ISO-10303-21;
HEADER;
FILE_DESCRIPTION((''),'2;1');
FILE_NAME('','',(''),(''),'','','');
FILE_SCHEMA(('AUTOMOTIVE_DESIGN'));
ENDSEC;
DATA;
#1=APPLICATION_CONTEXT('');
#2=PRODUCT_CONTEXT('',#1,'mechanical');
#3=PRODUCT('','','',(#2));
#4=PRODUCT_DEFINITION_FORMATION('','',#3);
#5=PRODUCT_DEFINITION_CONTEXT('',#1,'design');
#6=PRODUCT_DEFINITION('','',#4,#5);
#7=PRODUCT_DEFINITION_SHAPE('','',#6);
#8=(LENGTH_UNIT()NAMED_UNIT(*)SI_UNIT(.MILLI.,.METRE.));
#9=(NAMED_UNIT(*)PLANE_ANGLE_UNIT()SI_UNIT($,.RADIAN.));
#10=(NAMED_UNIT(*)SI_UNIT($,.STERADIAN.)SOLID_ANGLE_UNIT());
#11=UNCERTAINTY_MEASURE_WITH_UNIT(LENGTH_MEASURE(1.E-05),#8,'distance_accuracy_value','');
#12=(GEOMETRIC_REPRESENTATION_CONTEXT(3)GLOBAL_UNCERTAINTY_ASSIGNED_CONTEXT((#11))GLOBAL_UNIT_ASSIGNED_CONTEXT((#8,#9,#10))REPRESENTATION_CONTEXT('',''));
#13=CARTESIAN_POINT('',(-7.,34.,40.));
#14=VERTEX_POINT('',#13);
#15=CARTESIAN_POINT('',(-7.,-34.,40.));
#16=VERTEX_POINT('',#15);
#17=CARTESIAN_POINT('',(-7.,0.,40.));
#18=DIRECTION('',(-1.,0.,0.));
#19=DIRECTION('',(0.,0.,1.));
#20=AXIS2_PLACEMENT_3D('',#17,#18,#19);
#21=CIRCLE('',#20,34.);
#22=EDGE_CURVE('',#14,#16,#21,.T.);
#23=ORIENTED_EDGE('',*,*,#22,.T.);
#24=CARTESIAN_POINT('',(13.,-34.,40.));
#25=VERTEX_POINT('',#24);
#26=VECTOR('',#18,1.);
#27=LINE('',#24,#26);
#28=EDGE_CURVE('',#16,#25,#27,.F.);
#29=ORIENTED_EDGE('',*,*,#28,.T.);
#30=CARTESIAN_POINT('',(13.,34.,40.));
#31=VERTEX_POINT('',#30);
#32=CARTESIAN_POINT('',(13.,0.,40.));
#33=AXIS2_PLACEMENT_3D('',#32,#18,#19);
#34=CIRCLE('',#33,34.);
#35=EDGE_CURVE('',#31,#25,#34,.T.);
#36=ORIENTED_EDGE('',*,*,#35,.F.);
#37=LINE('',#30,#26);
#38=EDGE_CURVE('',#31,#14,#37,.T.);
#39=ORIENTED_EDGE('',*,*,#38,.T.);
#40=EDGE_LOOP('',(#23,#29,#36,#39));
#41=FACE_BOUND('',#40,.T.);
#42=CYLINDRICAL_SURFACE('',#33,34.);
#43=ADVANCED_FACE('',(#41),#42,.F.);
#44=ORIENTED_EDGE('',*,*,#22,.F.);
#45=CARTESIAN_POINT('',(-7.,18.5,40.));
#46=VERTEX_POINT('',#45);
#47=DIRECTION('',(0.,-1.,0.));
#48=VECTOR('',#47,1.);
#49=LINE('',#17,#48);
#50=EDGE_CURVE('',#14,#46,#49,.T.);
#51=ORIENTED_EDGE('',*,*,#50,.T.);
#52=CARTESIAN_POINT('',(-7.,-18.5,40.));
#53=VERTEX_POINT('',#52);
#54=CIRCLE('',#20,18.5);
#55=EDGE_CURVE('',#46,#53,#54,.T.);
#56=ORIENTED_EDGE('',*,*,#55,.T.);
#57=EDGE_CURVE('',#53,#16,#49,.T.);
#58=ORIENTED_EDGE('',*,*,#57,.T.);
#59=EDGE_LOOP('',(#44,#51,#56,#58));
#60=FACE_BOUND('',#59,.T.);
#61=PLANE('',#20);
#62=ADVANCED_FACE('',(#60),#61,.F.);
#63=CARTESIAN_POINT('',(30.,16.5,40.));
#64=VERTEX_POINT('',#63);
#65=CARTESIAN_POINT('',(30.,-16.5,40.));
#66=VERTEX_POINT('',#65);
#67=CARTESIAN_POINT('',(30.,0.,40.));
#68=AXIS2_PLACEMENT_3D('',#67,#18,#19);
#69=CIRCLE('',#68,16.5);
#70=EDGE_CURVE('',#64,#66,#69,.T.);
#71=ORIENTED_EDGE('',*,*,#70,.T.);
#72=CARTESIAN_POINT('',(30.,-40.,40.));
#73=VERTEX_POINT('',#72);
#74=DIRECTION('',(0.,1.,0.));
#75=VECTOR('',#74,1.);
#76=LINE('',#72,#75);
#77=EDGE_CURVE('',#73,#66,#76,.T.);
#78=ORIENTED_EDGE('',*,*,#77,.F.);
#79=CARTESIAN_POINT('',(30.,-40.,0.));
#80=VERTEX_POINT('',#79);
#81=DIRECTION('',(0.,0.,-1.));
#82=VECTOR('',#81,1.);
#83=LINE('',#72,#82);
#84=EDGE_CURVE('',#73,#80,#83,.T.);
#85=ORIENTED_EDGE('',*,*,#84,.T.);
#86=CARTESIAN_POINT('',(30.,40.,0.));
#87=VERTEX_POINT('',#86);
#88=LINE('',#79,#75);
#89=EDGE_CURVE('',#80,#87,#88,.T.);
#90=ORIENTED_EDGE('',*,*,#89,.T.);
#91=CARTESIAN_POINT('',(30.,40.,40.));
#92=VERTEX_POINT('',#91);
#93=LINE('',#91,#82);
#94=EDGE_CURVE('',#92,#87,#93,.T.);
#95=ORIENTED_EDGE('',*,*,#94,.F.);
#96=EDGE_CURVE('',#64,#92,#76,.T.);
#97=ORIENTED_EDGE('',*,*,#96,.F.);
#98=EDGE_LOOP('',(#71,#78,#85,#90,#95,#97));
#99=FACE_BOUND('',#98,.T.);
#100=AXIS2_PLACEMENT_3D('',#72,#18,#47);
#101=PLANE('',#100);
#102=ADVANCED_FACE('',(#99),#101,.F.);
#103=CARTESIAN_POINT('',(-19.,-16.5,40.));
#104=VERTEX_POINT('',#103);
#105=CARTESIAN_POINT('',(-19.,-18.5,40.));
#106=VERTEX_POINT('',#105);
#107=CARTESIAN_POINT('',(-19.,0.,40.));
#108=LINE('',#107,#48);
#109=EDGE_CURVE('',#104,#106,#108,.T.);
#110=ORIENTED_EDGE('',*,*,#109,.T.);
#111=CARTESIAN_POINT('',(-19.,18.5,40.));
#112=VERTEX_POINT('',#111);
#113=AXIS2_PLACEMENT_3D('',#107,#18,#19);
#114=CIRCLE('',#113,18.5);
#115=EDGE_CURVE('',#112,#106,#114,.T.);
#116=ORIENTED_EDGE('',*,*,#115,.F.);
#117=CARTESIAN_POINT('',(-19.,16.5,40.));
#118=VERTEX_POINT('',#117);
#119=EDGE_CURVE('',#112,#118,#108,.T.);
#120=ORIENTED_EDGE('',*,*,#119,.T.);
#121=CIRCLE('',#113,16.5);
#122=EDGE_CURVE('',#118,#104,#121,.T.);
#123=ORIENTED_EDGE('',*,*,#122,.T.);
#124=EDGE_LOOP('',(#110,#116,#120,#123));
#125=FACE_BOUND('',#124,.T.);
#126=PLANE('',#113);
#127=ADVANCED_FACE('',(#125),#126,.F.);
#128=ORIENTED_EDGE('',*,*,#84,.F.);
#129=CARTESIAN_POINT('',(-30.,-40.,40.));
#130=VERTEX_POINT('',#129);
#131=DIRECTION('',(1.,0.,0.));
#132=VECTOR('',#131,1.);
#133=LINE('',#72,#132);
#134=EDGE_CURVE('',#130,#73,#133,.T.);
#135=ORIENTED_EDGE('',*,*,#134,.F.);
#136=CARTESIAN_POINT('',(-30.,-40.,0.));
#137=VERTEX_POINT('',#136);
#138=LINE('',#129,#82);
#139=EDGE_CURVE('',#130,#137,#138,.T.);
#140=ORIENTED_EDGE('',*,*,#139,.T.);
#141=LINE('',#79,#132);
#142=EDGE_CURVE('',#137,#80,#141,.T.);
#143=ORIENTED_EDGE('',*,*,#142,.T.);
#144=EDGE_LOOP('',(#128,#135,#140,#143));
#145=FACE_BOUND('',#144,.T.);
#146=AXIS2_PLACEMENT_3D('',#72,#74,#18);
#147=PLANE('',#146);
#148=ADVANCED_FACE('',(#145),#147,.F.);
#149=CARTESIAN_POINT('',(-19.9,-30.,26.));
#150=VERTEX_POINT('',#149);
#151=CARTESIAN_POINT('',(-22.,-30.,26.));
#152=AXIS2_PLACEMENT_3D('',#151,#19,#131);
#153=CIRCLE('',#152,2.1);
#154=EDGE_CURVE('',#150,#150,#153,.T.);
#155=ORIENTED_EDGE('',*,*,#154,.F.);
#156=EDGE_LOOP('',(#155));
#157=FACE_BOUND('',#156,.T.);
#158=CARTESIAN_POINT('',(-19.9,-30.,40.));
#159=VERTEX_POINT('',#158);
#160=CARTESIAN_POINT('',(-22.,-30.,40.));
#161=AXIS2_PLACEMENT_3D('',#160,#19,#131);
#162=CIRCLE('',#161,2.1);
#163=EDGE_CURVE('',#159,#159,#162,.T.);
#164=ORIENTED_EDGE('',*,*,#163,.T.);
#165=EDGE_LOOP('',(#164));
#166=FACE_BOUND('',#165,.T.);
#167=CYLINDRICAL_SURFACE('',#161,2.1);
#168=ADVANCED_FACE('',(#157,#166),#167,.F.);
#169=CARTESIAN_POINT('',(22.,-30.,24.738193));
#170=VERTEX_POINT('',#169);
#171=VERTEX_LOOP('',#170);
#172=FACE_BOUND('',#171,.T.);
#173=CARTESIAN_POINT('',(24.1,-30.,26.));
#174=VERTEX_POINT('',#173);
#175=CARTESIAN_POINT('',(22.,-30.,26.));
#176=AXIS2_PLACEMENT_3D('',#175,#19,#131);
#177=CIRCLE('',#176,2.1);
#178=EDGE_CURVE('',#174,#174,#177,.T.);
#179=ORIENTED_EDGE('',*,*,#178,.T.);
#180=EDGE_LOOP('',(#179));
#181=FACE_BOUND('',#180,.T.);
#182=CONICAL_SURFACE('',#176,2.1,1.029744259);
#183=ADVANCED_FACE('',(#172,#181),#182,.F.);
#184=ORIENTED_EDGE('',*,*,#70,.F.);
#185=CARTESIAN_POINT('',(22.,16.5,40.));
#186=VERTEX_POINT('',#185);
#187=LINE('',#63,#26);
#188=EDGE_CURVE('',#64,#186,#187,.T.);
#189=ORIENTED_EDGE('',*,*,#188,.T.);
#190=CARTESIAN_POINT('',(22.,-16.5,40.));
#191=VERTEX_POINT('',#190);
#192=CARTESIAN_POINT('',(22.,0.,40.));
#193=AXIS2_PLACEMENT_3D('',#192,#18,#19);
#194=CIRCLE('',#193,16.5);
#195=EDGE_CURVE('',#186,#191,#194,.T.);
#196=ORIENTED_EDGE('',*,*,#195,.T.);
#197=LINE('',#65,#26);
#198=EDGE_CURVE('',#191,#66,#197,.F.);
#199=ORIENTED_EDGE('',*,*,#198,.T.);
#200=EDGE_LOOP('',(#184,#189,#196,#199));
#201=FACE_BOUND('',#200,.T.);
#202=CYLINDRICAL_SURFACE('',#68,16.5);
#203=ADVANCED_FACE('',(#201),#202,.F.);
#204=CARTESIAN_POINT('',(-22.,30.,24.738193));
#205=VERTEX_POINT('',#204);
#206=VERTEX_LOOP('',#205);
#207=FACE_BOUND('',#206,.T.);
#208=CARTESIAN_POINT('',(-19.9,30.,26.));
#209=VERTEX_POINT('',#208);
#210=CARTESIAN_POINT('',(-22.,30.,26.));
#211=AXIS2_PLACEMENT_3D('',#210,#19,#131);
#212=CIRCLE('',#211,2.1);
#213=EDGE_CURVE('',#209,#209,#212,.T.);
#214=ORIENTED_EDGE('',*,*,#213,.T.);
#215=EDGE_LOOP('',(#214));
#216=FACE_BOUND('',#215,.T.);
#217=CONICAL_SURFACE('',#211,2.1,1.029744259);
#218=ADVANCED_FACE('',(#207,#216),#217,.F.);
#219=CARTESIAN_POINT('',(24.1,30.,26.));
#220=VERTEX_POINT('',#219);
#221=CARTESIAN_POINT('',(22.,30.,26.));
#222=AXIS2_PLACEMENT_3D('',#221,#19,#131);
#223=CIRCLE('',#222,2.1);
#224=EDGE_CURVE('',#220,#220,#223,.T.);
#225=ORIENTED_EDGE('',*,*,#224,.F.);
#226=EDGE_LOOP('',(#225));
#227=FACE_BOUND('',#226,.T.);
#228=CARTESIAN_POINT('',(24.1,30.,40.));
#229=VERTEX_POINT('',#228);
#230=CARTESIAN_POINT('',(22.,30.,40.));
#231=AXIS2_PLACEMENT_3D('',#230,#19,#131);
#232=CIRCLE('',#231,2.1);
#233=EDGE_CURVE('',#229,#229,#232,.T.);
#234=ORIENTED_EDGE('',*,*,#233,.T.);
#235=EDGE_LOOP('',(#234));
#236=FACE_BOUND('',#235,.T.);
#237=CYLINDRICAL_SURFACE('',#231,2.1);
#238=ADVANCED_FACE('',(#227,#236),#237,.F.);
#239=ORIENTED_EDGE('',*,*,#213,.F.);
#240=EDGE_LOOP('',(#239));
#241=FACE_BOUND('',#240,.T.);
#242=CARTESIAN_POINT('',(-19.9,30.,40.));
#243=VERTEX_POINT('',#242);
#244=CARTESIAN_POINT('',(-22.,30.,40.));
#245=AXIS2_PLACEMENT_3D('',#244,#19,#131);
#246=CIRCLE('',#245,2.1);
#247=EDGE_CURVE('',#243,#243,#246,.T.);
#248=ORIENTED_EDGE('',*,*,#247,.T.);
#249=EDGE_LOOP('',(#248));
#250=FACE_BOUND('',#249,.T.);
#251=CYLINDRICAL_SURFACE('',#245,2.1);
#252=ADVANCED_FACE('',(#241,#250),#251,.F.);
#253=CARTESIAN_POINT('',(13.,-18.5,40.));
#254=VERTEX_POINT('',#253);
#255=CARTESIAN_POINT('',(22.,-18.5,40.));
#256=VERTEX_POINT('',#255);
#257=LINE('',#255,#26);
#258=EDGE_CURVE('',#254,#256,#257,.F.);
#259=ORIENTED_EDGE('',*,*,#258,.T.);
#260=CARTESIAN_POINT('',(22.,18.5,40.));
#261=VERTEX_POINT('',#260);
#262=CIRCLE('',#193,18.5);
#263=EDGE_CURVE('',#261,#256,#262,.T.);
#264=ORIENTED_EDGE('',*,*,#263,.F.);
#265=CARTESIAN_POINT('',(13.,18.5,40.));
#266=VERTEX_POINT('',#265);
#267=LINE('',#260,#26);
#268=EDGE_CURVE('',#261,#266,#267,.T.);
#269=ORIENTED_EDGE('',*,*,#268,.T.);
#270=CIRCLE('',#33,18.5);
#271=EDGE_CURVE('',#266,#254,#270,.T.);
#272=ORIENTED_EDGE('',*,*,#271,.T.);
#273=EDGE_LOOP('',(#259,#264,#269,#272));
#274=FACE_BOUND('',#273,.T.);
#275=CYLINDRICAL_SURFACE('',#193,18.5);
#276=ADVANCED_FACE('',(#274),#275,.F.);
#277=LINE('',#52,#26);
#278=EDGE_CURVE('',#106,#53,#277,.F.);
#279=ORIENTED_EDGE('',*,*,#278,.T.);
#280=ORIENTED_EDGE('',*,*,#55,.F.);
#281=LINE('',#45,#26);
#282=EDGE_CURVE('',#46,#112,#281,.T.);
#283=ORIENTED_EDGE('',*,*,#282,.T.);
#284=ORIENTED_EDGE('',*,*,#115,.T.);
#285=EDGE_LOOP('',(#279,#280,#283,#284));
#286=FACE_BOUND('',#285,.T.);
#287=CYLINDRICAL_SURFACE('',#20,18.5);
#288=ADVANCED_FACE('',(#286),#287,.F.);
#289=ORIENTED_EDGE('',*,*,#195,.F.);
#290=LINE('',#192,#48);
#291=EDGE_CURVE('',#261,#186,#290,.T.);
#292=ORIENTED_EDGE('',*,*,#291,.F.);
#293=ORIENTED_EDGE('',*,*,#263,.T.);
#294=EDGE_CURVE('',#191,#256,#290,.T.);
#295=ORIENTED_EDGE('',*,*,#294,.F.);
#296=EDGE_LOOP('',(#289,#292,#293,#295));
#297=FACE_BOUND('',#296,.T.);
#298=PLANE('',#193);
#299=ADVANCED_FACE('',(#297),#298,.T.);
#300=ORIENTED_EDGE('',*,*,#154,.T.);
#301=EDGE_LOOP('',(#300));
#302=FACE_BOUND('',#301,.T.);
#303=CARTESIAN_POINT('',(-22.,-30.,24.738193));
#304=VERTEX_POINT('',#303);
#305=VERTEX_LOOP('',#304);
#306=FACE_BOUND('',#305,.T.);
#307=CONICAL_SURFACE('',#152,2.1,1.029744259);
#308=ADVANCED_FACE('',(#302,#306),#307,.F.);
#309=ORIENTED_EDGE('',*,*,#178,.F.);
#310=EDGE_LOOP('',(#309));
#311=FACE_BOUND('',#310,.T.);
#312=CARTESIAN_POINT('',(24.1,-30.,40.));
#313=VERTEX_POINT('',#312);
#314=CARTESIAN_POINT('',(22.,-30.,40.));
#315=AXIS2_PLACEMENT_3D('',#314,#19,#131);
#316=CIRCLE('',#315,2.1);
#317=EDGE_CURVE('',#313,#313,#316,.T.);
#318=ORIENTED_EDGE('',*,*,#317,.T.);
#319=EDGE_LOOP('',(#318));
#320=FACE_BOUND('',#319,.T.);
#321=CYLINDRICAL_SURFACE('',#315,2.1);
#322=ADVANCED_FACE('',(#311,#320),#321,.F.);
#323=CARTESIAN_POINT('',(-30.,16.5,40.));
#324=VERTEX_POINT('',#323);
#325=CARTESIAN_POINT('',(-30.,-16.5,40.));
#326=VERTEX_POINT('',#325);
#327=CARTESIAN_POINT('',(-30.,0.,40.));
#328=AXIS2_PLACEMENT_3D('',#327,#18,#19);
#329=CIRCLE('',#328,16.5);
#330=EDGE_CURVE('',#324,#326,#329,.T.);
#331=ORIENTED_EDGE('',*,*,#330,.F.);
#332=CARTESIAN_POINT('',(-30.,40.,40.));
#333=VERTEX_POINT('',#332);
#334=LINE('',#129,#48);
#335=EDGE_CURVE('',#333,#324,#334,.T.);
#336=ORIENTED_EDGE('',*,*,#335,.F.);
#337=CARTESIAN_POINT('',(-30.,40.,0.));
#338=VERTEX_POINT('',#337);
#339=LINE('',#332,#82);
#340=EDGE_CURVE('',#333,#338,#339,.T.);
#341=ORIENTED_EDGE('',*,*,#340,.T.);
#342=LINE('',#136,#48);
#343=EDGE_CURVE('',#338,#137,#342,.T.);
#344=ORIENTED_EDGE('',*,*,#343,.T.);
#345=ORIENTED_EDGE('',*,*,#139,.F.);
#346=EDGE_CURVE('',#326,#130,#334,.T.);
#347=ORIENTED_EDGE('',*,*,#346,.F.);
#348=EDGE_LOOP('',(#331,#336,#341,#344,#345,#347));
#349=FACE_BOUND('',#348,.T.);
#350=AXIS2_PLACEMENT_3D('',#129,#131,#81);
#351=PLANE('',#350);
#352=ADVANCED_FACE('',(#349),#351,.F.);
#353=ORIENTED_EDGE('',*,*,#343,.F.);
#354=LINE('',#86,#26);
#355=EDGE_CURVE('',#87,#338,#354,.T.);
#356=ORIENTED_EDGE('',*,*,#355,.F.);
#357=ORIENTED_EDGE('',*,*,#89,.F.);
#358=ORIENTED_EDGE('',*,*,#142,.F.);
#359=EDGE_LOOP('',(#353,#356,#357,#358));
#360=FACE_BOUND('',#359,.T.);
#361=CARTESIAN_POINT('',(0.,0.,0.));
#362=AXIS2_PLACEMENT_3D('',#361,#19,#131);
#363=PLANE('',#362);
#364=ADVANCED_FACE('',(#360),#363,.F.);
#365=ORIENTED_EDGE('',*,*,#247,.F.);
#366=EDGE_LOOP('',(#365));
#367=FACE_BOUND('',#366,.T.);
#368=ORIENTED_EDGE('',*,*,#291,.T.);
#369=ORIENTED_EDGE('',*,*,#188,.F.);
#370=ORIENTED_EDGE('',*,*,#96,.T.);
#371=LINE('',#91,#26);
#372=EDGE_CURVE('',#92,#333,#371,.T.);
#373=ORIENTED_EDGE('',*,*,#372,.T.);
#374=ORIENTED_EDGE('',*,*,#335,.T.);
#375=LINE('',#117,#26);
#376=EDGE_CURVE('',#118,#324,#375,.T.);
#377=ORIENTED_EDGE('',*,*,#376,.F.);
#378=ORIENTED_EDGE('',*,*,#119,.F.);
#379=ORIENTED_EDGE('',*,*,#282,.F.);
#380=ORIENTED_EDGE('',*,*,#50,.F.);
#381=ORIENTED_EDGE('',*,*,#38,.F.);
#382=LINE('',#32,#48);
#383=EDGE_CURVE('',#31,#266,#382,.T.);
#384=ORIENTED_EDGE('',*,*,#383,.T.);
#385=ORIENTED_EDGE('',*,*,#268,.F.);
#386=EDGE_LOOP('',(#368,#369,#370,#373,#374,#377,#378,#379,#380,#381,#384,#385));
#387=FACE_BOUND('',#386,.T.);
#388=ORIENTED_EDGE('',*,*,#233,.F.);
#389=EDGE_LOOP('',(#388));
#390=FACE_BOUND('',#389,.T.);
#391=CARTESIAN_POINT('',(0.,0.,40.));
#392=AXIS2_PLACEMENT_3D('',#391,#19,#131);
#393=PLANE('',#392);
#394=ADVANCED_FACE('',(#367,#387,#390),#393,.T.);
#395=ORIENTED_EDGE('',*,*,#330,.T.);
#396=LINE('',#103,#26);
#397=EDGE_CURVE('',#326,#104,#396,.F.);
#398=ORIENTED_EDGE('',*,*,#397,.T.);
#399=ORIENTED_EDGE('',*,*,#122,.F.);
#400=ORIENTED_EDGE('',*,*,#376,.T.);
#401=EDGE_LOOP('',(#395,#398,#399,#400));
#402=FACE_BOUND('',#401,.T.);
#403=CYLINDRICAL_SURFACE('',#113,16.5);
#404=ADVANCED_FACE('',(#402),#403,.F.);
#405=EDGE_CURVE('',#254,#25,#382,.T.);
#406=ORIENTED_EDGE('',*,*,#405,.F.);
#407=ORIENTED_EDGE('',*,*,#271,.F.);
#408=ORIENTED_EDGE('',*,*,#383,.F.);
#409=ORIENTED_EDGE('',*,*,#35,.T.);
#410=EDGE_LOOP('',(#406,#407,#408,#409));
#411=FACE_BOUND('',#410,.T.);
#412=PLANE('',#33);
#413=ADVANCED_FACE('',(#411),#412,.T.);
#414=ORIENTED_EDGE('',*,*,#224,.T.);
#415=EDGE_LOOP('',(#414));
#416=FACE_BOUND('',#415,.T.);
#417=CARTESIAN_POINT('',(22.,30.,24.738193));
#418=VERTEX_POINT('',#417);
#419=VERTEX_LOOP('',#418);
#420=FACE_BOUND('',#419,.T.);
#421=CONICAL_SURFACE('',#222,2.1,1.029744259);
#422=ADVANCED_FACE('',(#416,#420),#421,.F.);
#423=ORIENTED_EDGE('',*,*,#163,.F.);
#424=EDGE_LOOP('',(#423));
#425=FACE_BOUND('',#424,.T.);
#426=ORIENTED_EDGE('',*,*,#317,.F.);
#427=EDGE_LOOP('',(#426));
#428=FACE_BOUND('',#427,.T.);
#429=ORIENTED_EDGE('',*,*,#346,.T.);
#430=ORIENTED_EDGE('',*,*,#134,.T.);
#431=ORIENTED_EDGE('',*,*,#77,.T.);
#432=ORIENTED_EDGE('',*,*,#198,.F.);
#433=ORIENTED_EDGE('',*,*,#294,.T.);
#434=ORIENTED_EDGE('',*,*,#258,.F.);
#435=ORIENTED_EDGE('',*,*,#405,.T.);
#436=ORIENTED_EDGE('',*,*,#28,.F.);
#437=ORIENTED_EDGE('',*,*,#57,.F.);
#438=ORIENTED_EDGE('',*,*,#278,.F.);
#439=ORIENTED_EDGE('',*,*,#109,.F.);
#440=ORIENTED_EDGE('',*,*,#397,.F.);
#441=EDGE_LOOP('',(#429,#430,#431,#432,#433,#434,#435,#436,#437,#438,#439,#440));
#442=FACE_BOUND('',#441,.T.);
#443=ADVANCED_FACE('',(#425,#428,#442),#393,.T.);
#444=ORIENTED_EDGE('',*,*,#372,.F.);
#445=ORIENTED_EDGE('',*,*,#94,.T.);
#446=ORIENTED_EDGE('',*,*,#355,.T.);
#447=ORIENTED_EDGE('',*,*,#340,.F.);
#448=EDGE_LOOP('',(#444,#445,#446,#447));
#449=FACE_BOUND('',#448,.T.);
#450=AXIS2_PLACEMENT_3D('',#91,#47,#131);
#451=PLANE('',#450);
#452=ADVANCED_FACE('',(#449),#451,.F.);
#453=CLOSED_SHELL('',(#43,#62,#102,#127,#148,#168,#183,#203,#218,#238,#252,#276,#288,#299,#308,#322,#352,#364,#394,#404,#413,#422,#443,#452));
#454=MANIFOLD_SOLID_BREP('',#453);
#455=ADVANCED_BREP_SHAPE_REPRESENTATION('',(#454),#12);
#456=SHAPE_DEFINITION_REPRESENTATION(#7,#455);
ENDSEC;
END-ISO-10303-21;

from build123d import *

# Parameters (mm, degrees)
SCHIZZO1_W                   = 60
SCHIZZO1_H                   = 80
ESTRUSIONE_ESTRUSIONE1_DEPTH = 40
SCHIZZO3_R                   = 16.5
TAGLIO_ESTRUSIONE1_DEPTH     = 11
SCHIZZO4_R                   = 18.5
TAGLIO_ESTRUSIONE2_DEPTH     = 12
SCHIZZO5_R                   = 34
TAGLIO_ESTRUSIONE3_DEPTH     = 20
SCHIZZO6_R                   = 18.5
TAGLIO_ESTRUSIONE4_DEPTH     = 9
SCHIZZO7_R                   = 16.5
TAGLIO_ESTRUSIONE5_DEPTH     = 8


with BuildPart() as part:
    # Schizzo1 → Estrusione-Estrusione1 (new body)
    with BuildSketch(Plane.XY):
        Rectangle(SCHIZZO1_W, SCHIZZO1_H)
    extrude(amount=ESTRUSIONE_ESTRUSIONE1_DEPTH)

    # Schizzo3 → Taglio-Estrusione1 (cut)
    with BuildSketch(Plane.ZY.offset(30)):
        with Locations((40, 0)):
            Circle(SCHIZZO3_R)
    extrude(amount=-TAGLIO_ESTRUSIONE1_DEPTH, mode=Mode.SUBTRACT)

    # Schizzo4 → Taglio-Estrusione2 (cut)
    with BuildSketch(Plane.ZY.offset(19)):
        with Locations((40, 0)):
            Circle(SCHIZZO4_R)
    extrude(amount=-TAGLIO_ESTRUSIONE2_DEPTH, mode=Mode.SUBTRACT)

    # Schizzo5 → Taglio-Estrusione3 (cut)
    with BuildSketch(Plane.ZY.offset(7)):
        with Locations((40, 0)):
            Circle(SCHIZZO5_R)
    extrude(amount=-TAGLIO_ESTRUSIONE3_DEPTH, mode=Mode.SUBTRACT)

    # Schizzo6 → Taglio-Estrusione4 (cut)
    with BuildSketch(Plane.ZY.offset(-13)):
        with Locations((40, 0)):
            Circle(SCHIZZO6_R)
    extrude(amount=-TAGLIO_ESTRUSIONE4_DEPTH, mode=Mode.SUBTRACT)

    # Schizzo7 → Taglio-Estrusione5 (cut)
    with BuildSketch(Plane.ZY.offset(-22)):
        with Locations((40, 0)):
            Circle(SCHIZZO7_R)
    extrude(amount=-TAGLIO_ESTRUSIONE5_DEPTH, mode=Mode.SUBTRACT)

    # Schizzo9 → Foro filettato M5-1 (revolve, cut)
    with BuildSketch(Plane(origin=(-22, 30, 40), x_dir=(0, -1, 0), z_dir=(1, 0, 0))):
        Polygon((0, 0), (0, 15.2618073), (2.1, 14), (2.1, 0), align=None)
    foro_filettato_m5_1 = revolve(axis=Axis((-22, 30, 46.35), (0, 0, -1)), mode=Mode.SUBTRACT)

    # Specchia1: Foro filettato M5-1 across plane
    add(foro_filettato_m5_1.mirror(Plane.ZX), mode=Mode.SUBTRACT)

    # Specchia2: Foro filettato M5-1 across plane
    add(foro_filettato_m5_1.mirror(Plane(origin=(0, 0, 0), x_dir=(0, 0, 1), z_dir=(1, 0, 0))), mode=Mode.SUBTRACT)

    # Specchia2 copy 1 sketch → Specchia2 copy 1 (revolve, cut)
    with BuildSketch(Plane(origin=(22, -30, 40), x_dir=(0, 1, 0), z_dir=(-1, 0, 0))):
        Polygon((0, 0), (0, 15.2618073), (2.1, 14), (2.1, 0), align=None)
    revolve(axis=Axis((22, -30, 46.35), (0, 0, -1)), mode=Mode.SUBTRACT)


solid = part.part
